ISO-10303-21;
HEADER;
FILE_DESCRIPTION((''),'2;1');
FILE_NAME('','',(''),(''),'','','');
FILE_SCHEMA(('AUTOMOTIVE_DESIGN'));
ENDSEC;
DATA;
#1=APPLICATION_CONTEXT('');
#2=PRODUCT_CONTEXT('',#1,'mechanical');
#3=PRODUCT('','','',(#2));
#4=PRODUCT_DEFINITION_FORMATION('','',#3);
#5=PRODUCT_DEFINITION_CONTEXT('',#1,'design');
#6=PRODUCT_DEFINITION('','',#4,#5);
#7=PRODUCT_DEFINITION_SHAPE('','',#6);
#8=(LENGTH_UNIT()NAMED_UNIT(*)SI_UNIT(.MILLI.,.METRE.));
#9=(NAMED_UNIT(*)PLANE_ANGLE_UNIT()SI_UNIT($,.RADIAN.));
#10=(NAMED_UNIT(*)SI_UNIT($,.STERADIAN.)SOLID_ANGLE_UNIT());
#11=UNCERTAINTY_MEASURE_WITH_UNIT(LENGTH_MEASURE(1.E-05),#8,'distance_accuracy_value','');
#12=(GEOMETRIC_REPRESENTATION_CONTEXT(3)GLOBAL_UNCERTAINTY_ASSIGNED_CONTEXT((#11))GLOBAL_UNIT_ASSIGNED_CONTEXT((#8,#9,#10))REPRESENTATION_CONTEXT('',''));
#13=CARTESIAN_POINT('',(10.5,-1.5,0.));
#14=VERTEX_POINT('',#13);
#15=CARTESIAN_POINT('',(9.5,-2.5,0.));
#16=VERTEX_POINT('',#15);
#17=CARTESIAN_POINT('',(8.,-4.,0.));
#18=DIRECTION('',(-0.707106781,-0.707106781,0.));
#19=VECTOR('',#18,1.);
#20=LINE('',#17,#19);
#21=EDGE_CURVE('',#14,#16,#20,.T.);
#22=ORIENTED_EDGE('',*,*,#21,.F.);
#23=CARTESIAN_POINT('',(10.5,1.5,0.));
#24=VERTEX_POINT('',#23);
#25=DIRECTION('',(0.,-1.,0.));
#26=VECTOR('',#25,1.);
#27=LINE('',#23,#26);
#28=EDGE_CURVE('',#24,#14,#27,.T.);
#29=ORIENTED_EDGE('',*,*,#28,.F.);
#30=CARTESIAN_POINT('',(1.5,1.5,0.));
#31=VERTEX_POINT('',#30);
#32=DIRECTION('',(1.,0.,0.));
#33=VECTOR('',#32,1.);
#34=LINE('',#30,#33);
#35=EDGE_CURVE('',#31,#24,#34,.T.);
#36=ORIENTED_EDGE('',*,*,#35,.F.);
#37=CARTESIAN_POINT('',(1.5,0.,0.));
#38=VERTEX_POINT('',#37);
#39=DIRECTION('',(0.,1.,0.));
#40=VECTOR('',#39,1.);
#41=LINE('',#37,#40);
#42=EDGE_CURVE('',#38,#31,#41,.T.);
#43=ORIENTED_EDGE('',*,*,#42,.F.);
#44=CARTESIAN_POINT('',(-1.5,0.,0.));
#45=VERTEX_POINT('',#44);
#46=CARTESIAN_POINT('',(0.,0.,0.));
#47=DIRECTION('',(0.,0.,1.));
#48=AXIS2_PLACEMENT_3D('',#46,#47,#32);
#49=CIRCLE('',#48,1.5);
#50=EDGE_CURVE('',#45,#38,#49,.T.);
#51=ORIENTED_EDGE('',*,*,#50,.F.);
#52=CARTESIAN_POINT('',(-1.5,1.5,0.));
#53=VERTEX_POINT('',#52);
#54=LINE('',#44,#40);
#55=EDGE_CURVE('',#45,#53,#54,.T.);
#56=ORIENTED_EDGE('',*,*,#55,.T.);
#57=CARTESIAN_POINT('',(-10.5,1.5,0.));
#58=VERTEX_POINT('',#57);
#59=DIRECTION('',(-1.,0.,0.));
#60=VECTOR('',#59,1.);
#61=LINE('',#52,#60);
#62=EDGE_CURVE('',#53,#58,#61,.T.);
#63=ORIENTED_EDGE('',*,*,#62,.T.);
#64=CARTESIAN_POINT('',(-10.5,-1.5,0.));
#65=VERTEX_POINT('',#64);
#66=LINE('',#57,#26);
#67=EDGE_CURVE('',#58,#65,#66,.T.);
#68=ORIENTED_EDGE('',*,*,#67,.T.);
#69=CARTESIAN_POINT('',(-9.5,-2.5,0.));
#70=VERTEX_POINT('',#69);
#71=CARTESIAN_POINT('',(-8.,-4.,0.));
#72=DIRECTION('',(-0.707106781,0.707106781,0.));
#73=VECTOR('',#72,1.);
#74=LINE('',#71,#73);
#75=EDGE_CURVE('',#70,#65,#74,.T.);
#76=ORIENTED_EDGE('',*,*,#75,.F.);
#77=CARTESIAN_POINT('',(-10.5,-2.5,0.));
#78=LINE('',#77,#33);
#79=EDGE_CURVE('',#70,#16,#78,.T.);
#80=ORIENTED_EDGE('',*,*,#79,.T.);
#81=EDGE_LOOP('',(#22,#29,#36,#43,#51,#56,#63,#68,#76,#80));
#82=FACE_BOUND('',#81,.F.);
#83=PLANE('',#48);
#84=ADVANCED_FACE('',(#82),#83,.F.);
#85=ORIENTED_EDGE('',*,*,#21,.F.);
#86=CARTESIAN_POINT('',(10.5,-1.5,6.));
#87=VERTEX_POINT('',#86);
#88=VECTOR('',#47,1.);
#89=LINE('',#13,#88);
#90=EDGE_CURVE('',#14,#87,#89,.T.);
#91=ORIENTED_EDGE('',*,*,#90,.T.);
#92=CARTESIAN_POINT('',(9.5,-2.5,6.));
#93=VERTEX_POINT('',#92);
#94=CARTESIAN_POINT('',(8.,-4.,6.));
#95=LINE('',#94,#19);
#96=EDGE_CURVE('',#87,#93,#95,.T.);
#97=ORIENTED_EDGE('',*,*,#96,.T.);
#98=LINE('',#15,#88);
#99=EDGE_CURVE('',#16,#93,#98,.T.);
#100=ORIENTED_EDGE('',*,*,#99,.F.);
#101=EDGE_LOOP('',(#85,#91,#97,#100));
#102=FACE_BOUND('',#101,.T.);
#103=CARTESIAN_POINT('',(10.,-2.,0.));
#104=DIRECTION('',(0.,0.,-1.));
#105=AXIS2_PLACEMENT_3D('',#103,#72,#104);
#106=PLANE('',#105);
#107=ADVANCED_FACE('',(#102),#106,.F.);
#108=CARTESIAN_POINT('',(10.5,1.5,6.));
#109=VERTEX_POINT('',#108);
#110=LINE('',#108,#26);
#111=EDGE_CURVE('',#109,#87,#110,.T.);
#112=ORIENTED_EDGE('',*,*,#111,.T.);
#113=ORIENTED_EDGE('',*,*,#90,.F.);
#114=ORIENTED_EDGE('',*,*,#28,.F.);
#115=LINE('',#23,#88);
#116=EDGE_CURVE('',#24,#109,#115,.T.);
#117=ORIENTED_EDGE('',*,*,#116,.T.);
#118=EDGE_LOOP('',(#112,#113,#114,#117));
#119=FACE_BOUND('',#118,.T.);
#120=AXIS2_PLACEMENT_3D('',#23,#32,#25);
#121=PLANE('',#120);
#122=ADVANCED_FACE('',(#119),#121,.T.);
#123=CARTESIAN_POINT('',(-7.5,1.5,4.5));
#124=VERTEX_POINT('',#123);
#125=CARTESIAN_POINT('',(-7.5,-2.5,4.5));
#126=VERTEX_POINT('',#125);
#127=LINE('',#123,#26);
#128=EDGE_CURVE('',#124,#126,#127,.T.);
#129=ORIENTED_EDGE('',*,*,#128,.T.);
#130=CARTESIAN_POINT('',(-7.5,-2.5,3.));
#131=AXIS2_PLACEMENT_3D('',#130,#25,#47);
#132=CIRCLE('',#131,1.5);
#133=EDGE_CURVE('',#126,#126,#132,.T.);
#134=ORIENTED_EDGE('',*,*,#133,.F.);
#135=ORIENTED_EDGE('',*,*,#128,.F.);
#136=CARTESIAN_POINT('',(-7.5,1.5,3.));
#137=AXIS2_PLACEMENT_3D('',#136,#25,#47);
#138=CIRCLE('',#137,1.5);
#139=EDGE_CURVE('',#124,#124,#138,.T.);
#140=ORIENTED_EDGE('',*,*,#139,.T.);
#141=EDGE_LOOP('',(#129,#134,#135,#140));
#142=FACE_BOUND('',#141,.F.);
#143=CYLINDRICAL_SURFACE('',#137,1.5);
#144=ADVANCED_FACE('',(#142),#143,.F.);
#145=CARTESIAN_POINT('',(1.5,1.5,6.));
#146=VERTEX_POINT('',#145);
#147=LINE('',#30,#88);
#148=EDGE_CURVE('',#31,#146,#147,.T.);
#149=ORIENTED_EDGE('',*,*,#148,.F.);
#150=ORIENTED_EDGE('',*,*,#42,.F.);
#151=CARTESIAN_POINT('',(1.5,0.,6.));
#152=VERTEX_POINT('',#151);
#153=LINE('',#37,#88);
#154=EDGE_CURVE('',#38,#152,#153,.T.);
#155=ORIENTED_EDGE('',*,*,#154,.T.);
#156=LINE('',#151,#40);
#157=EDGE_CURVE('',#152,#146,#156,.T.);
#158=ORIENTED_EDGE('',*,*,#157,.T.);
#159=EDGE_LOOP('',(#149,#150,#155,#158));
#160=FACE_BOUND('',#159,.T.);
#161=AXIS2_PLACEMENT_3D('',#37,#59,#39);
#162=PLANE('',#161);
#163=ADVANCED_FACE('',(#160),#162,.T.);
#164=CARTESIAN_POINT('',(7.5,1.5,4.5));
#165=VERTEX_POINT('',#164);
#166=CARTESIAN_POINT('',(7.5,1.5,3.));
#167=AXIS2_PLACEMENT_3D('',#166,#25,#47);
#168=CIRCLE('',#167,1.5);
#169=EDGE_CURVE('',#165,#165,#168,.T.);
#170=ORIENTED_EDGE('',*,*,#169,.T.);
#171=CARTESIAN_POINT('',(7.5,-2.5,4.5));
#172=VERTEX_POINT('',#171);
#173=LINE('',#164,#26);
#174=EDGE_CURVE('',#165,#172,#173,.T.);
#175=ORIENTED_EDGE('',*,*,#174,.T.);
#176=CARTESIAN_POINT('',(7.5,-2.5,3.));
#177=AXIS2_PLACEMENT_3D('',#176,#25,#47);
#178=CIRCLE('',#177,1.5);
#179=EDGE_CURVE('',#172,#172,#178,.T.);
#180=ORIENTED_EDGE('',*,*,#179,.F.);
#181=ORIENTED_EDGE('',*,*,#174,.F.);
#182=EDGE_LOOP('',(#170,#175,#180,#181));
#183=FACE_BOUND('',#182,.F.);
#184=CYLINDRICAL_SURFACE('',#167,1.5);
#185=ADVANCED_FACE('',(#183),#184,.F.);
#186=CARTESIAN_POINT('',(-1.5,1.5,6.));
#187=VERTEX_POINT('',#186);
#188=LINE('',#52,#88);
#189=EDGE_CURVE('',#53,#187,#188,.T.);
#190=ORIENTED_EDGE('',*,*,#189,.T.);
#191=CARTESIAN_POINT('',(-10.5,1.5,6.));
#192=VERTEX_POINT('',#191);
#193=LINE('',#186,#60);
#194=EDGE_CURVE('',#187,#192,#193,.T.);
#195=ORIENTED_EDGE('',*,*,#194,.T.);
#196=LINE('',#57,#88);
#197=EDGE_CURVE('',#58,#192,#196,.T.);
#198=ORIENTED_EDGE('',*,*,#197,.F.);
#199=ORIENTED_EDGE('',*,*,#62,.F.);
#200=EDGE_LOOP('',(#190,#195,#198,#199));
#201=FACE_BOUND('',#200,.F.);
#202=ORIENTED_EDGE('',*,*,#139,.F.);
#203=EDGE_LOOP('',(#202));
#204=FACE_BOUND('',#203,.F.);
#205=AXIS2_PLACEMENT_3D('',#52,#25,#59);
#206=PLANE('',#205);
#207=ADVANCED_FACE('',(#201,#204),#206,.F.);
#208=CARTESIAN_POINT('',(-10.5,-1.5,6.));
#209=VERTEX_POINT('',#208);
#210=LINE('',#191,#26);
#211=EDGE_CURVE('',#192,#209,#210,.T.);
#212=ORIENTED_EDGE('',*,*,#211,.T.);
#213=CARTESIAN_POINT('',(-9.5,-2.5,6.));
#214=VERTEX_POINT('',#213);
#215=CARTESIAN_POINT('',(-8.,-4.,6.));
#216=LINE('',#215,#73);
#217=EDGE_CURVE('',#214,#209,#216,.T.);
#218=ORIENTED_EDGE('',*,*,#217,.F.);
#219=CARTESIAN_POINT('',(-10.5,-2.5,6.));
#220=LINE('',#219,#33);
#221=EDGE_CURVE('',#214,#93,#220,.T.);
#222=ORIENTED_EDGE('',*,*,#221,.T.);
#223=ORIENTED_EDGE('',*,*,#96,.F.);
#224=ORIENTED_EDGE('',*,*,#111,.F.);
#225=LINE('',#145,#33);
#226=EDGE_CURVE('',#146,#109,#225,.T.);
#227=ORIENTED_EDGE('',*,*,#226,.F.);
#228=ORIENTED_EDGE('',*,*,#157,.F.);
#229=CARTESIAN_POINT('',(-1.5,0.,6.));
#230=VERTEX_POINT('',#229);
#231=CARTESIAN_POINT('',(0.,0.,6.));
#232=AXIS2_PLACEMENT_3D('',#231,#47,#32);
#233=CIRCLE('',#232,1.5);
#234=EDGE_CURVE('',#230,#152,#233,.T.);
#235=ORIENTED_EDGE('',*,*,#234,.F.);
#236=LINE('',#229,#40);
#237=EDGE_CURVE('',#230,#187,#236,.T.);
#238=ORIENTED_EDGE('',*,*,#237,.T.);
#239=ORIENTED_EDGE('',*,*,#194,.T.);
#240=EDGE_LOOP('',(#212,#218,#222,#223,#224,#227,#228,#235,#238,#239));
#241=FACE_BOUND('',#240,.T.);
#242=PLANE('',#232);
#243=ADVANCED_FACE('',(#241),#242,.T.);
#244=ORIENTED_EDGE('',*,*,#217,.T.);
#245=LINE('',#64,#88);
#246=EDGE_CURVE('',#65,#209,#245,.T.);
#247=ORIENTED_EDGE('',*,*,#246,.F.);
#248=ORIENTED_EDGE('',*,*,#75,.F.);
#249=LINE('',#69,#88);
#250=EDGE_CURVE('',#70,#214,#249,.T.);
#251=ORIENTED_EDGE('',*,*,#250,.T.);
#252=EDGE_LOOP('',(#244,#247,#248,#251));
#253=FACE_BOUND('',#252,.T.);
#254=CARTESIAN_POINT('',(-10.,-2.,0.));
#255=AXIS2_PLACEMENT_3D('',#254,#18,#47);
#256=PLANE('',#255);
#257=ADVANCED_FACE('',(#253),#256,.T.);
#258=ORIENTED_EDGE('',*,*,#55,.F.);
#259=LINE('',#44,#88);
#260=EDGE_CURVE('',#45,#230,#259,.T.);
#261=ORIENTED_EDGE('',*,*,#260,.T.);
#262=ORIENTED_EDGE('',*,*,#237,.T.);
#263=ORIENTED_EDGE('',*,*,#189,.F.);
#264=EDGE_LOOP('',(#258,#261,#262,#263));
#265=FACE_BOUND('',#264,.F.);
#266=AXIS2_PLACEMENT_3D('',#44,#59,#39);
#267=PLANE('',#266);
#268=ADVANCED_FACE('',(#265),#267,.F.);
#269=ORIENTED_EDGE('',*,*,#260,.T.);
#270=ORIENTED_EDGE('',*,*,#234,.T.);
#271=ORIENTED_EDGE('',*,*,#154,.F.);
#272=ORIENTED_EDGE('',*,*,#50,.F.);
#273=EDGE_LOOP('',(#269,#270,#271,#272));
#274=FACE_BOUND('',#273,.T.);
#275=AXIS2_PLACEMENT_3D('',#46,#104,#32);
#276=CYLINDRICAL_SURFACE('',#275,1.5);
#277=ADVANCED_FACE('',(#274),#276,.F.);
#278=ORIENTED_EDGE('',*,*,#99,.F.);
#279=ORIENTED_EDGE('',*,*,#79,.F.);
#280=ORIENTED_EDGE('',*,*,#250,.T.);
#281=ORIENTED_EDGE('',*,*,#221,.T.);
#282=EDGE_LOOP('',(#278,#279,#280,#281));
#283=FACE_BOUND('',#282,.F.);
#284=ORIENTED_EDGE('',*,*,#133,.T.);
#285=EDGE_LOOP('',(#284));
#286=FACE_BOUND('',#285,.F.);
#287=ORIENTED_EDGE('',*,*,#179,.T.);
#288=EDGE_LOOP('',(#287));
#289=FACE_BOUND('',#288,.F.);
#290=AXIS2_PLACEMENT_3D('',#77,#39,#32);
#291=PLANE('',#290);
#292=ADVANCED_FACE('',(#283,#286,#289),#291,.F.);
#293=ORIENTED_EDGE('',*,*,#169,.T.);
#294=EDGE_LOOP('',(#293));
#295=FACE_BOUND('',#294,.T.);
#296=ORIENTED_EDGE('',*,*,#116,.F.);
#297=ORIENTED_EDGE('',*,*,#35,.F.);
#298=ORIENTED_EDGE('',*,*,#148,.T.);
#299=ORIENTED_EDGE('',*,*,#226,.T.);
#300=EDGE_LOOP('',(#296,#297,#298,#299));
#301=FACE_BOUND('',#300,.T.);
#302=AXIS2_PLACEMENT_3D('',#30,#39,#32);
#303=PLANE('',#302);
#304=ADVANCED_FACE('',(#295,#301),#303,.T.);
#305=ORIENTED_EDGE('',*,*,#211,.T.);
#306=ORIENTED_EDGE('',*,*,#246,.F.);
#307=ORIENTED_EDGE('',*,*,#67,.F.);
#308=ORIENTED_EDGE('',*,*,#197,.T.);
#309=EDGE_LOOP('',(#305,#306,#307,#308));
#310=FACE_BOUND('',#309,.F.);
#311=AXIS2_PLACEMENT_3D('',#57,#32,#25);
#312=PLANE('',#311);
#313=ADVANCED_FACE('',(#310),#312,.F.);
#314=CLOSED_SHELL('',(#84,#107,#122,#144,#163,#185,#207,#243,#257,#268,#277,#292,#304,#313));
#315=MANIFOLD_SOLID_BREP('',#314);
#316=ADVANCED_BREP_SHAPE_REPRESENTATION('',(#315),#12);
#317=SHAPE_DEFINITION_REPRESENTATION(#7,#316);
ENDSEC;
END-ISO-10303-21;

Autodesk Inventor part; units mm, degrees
ref_plane "YZ Plane" through (0, 0, 0) normal (1, 0, 0) x (0, 1, 0)
ref_plane "XZ Plane" through (0, 0, 0) normal (0, 1, 0) x (-1, 0, 0)
ref_plane "XY Plane" through (0, 0, 0) normal (0, 0, 1) x (1, 0, 0)
sketch "Sketch1" plane through (0, 0, 0) normal (0, 0, 1) x (1, 0, 0)
  circle A0 centre (0, 0) radius 1.5
  line L0 (-10.5, -2.5) -> (10.5, -2.5)
  line L1 (-1.5, 0) -> (-1.5, 1.5)
  line L2 (-1.5, 1.5) -> (-10.5, 1.5)
  line L3 (-10.5, 1.5) -> (-10.5, -2.5)
  line L4 (1.5, 0) -> (1.5, 1.5)
  line L5 (1.5, 1.5) -> (10.5, 1.5)
  line L6 (10.5, 1.5) -> (10.5, -2.5)
  dimension "d0" = 3
  dimension "d1" = 21
  dimension "d17" = 2.5
extrude "Extrusion1" add sketch "Sketch1" along normal blind 6 contours L4 L5 L6 L0 L3 L2 L1 A0
chamfer "Chamfer1" distance 1 angle 45 2 edges at (10.5, -2.5, 3) (-10.5, -2.5, 3)
sketch "Sketch3" plane through (-10.5, 1.5, 0) normal (0, 1, 0) x (1, 0, 0)
  line L0 (9, 0) -> (0, 0) projected
  line L1 (0, 0) -> (0, -6) projected
  line L2 (9, -6) -> (0, -6) projected
  line L3 (9, 0) -> (9, -6) projected
  line L4 (21, 0) -> (12, 0) projected
  line L5 (12, 0) -> (12, -6) projected
  line L6 (21, -6) -> (12, -6) projected
  line L7 (21, 0) -> (21, -6) projected
  point P0 (10.5, 0)
  point P1 (3, -3)
  point P2 (18, -3)
  point P3 (0, -3)
  point P4 (21, -3)
  dimension "d18" = 7.5
  dimension "d19" = 7.5
hole "Hole2" at (-7.5, 1.5, 3) at (7.5, 1.5, 3) direction (0, -1, 0) diameter 3 end through all
equation "\"d19\" = d18"
properties part number "Idler Thermistor Clamp" material "ABS Plastic"
